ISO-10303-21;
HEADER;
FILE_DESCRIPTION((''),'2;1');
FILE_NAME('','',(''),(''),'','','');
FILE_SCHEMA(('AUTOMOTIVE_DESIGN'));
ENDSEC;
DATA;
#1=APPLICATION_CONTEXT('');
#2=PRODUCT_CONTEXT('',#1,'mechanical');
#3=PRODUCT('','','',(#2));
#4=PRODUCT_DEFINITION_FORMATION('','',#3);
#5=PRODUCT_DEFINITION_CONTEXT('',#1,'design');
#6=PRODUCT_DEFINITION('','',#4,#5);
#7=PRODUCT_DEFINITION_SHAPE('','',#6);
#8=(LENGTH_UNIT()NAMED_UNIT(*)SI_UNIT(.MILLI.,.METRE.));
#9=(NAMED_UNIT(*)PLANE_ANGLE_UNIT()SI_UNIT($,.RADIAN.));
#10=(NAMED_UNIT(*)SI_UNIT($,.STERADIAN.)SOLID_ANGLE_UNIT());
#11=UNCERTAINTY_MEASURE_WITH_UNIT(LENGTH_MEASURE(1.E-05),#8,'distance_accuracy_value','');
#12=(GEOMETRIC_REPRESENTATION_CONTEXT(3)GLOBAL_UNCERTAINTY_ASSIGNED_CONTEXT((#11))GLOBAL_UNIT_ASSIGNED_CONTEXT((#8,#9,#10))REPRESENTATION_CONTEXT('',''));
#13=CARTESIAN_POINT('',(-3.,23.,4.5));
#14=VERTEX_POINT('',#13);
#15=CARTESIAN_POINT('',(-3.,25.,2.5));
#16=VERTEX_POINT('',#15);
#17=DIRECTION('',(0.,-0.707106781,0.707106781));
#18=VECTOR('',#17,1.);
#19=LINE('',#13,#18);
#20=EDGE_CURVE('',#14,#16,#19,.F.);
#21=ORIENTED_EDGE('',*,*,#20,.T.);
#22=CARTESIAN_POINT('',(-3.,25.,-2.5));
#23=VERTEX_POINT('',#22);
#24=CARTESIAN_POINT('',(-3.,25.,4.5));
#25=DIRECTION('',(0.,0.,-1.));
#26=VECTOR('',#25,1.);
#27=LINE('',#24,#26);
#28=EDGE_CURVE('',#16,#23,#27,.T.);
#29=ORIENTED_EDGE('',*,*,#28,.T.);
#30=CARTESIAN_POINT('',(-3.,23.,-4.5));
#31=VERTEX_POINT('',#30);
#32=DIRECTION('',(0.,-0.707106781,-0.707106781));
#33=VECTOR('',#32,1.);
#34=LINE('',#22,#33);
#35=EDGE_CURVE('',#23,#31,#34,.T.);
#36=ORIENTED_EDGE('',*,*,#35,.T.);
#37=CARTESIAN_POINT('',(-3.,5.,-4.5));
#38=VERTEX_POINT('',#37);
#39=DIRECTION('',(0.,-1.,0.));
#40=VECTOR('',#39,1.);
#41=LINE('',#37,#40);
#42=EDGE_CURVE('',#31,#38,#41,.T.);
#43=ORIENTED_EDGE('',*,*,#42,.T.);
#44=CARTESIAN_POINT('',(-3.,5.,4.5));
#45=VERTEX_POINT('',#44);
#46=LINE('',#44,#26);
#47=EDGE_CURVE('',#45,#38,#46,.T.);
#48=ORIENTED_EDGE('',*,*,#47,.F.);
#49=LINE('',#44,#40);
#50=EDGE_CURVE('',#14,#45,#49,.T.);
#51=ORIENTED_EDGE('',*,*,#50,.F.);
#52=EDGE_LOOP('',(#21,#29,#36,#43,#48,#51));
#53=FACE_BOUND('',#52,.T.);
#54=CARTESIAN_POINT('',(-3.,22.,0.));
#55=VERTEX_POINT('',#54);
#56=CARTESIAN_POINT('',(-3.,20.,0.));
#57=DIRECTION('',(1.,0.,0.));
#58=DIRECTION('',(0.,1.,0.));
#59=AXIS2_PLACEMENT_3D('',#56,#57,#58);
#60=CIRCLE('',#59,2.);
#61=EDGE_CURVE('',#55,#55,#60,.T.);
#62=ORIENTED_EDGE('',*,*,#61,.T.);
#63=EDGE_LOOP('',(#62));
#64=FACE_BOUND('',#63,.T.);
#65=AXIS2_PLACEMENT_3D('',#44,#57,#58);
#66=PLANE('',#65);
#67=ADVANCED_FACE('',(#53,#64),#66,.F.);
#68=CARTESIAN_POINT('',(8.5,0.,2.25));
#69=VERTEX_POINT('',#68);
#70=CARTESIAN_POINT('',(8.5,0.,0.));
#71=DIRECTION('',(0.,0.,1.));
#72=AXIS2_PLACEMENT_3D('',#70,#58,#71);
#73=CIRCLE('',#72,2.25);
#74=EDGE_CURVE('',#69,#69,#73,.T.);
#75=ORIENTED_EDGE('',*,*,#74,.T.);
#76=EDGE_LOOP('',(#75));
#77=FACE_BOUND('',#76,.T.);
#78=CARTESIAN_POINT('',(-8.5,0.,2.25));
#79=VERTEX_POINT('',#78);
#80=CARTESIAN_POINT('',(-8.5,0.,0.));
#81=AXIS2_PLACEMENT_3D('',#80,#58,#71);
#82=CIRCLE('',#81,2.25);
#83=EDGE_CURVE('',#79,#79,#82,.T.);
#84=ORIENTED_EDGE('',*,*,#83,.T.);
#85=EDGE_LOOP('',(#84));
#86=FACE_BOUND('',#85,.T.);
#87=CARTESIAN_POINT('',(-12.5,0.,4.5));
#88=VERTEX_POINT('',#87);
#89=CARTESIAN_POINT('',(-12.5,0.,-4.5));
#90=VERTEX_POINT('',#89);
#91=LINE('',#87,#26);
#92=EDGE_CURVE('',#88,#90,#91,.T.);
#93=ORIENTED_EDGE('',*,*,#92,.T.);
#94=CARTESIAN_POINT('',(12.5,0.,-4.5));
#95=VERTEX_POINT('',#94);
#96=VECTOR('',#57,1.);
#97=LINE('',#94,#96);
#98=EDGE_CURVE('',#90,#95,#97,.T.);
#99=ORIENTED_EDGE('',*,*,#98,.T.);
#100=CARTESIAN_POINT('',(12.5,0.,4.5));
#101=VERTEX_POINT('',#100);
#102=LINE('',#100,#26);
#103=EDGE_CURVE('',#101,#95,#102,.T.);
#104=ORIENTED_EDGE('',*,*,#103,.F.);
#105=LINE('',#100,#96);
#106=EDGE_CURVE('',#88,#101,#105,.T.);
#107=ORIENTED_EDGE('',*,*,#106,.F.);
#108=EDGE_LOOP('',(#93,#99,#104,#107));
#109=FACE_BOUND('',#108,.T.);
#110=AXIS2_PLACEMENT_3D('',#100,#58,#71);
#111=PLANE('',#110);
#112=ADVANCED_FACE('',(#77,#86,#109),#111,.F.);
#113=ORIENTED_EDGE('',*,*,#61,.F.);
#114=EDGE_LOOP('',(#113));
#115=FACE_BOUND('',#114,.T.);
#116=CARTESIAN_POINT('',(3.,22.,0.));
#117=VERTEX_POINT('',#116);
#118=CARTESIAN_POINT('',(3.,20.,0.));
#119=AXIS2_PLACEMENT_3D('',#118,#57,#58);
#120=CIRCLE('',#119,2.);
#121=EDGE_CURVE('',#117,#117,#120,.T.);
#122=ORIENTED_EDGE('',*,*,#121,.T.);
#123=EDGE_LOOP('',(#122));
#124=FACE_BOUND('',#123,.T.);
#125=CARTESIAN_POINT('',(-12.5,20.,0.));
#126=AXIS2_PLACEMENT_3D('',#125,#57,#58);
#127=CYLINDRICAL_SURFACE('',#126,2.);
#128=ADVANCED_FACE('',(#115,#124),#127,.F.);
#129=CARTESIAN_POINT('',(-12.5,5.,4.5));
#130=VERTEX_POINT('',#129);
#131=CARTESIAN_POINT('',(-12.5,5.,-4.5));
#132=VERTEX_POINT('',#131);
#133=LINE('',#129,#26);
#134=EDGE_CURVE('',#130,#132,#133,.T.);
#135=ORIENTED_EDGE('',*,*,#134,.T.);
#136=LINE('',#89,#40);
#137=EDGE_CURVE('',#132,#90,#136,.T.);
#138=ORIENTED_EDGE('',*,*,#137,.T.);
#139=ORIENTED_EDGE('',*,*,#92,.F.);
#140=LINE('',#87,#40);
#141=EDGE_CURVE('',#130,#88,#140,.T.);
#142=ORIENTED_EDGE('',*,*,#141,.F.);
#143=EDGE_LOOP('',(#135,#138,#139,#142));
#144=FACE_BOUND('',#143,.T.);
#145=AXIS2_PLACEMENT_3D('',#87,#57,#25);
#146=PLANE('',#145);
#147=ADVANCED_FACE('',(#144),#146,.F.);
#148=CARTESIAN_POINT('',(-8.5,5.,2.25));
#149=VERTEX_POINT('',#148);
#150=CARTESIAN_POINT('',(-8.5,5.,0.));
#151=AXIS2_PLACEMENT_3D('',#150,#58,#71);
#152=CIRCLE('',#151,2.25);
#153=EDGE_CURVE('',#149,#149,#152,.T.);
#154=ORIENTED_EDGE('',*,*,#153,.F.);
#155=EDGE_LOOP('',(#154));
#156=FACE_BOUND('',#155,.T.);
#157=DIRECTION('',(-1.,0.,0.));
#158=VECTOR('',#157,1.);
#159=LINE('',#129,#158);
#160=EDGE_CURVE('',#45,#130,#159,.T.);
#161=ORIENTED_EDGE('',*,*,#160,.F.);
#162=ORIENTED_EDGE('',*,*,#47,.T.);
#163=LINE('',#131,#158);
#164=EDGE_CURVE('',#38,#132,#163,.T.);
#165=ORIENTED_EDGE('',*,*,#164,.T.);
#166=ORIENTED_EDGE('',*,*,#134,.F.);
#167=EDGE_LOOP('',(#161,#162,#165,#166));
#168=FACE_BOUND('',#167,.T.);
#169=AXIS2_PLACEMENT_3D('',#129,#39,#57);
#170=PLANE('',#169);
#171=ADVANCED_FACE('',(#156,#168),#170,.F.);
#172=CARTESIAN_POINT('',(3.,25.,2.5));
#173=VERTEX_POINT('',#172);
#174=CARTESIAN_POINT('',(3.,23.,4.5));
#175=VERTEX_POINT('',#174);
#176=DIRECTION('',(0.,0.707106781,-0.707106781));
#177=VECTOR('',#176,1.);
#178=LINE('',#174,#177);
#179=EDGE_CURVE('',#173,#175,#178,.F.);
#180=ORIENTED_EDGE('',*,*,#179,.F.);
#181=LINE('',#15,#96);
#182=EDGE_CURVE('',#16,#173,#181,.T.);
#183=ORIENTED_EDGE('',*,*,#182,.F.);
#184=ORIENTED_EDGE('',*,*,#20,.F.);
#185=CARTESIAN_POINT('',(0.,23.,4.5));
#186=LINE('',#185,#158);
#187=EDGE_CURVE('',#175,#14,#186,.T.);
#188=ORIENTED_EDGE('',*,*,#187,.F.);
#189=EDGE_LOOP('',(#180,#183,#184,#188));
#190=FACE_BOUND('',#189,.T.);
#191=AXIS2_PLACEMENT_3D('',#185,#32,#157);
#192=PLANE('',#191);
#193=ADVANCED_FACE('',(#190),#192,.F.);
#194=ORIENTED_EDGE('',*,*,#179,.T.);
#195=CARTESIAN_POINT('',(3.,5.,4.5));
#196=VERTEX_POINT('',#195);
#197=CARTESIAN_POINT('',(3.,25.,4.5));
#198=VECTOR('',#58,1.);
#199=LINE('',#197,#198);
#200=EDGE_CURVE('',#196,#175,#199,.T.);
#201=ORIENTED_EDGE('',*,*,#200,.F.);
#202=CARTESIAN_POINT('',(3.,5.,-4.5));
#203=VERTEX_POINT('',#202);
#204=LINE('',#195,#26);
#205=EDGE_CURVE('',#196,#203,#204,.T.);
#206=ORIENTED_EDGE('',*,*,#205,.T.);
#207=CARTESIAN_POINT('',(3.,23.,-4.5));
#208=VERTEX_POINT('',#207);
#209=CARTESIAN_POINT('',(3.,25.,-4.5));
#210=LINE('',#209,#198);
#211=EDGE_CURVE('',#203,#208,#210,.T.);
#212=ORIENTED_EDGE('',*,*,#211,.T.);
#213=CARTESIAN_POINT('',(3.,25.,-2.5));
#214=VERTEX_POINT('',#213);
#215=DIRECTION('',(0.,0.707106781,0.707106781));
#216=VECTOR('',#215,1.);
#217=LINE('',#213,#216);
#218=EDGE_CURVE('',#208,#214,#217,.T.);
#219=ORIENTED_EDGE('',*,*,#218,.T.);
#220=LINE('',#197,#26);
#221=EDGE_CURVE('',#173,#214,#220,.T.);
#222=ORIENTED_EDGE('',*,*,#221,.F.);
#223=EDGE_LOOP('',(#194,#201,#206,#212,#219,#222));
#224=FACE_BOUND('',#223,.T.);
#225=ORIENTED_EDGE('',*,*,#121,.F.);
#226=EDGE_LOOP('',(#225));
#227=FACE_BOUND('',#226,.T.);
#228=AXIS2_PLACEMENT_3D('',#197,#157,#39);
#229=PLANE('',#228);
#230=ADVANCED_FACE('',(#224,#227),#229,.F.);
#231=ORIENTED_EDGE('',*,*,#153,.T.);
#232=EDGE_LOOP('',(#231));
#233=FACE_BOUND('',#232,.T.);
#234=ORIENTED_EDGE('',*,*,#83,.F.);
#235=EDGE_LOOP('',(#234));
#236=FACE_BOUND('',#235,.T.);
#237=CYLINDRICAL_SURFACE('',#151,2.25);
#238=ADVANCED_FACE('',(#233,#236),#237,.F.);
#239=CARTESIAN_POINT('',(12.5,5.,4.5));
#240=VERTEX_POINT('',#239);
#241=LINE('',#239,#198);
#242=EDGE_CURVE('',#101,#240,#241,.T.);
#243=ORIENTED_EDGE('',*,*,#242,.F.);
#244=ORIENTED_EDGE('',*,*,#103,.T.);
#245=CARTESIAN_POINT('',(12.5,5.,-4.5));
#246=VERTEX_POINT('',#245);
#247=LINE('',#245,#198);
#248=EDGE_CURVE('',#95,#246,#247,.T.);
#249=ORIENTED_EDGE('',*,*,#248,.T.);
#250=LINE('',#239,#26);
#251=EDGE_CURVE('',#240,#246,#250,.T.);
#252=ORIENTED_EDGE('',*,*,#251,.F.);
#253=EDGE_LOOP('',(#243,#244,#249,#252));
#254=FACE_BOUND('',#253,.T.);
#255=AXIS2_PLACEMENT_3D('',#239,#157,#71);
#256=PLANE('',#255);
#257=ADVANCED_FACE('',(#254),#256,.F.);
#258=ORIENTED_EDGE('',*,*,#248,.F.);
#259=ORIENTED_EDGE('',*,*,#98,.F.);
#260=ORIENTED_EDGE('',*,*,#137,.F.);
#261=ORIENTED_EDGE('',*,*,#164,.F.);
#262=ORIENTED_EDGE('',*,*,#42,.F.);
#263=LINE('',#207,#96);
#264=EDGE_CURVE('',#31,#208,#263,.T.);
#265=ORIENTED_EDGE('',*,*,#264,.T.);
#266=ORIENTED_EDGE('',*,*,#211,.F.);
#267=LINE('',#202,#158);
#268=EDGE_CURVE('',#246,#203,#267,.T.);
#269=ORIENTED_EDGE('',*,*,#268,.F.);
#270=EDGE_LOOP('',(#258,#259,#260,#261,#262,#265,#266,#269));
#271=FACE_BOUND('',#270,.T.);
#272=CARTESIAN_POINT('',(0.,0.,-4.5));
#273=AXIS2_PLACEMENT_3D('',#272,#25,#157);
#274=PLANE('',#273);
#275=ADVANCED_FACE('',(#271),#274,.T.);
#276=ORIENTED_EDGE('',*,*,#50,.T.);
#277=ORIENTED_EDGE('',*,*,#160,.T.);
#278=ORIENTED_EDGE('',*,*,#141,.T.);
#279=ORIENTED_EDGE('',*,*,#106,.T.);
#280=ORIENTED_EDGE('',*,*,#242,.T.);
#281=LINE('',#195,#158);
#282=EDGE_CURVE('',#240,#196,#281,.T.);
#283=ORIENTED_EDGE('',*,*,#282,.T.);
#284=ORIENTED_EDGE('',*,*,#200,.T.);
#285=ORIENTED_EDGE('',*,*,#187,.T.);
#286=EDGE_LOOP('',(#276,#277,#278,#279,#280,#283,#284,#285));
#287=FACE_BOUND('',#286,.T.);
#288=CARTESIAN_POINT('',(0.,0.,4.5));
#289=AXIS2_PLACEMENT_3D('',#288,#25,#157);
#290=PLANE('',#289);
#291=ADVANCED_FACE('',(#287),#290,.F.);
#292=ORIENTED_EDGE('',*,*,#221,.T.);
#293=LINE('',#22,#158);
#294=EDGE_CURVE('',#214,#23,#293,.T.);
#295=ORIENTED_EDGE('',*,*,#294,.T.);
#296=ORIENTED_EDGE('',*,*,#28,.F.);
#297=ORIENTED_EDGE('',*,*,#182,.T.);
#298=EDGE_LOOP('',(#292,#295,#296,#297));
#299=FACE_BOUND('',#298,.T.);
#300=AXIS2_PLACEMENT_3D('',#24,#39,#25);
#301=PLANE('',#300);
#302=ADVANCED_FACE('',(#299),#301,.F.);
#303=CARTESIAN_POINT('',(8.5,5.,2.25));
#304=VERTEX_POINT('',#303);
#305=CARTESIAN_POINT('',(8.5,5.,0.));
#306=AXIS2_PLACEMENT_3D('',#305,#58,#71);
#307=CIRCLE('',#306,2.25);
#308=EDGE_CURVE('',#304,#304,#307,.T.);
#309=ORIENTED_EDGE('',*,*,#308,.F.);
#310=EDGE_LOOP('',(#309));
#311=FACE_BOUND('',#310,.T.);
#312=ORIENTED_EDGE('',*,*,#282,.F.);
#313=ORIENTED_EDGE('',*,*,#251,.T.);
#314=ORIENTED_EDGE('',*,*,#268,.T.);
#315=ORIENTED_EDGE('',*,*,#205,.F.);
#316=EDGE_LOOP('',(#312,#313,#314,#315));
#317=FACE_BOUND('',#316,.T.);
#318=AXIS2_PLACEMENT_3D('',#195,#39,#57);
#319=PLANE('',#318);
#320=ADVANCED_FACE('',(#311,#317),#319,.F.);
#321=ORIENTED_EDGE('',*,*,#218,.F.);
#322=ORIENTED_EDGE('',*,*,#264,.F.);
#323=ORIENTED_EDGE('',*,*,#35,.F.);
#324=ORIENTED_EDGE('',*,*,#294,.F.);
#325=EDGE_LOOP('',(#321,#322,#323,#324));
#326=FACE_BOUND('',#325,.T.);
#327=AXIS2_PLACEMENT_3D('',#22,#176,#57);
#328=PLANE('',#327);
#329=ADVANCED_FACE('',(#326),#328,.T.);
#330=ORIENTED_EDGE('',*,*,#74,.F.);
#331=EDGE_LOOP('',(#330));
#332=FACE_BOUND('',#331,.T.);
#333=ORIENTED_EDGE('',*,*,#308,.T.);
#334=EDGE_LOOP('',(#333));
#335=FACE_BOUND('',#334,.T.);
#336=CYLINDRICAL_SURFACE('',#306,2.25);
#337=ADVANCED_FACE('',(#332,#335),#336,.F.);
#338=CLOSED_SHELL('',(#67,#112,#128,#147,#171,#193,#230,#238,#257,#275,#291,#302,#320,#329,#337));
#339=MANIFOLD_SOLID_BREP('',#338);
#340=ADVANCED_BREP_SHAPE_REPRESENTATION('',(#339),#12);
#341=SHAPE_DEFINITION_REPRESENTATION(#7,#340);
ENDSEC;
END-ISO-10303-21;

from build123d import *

# Parameters (mm, degrees)
BOSS_EXTRUDE1_DEPTH = 4.5
DIAMETER_HOLE1_D    = 4.5
CHAMFER1_SIZE       = 2
SKETCH4_R           = 2
CUT_EXTRUDE1_DEPTH  = 30.757352033


with BuildPart() as part:
    # Sketch1 → Boss-Extrude1 (new, symmetric)
    with BuildSketch(Plane.XY):
        Polygon((12.5, 0), (-12.5, 0), (-12.5, 5), (-3, 5), (-3, 25), (3, 25), (3, 5), (12.5, 5), align=None)
    extrude(amount=BOSS_EXTRUDE1_DEPTH, both=True)

    # Diameter Hole1 (through all)
    with Locations(Plane(origin=(0, 5, 0), x_dir=(1, 0, 0), z_dir=(0, 1, 0))):
        with Locations((-8.5, 0), (8.5, 0)):
            Hole(DIAMETER_HOLE1_D / 2)

    # Chamfer1
    chamfer1_edges = [part.edges().sort_by_distance(p)[0] for p in [
        (0, 25, 4.5),
        (0, 25, -4.5),
    ]]
    chamfer(chamfer1_edges, length=CHAMFER1_SIZE)

    # Sketch4 → Cut-Extrude1 (cut, through all)
    with BuildSketch(Plane(origin=(3, 0, 0), x_dir=(0, 0, -1), z_dir=(1, 0, 0))):
        with Locations(Location((0, 20, 0), (0, 0, 90))):
            Circle(SKETCH4_R)
    extrude(amount=-CUT_EXTRUDE1_DEPTH, mode=Mode.SUBTRACT)


solid = part.part
